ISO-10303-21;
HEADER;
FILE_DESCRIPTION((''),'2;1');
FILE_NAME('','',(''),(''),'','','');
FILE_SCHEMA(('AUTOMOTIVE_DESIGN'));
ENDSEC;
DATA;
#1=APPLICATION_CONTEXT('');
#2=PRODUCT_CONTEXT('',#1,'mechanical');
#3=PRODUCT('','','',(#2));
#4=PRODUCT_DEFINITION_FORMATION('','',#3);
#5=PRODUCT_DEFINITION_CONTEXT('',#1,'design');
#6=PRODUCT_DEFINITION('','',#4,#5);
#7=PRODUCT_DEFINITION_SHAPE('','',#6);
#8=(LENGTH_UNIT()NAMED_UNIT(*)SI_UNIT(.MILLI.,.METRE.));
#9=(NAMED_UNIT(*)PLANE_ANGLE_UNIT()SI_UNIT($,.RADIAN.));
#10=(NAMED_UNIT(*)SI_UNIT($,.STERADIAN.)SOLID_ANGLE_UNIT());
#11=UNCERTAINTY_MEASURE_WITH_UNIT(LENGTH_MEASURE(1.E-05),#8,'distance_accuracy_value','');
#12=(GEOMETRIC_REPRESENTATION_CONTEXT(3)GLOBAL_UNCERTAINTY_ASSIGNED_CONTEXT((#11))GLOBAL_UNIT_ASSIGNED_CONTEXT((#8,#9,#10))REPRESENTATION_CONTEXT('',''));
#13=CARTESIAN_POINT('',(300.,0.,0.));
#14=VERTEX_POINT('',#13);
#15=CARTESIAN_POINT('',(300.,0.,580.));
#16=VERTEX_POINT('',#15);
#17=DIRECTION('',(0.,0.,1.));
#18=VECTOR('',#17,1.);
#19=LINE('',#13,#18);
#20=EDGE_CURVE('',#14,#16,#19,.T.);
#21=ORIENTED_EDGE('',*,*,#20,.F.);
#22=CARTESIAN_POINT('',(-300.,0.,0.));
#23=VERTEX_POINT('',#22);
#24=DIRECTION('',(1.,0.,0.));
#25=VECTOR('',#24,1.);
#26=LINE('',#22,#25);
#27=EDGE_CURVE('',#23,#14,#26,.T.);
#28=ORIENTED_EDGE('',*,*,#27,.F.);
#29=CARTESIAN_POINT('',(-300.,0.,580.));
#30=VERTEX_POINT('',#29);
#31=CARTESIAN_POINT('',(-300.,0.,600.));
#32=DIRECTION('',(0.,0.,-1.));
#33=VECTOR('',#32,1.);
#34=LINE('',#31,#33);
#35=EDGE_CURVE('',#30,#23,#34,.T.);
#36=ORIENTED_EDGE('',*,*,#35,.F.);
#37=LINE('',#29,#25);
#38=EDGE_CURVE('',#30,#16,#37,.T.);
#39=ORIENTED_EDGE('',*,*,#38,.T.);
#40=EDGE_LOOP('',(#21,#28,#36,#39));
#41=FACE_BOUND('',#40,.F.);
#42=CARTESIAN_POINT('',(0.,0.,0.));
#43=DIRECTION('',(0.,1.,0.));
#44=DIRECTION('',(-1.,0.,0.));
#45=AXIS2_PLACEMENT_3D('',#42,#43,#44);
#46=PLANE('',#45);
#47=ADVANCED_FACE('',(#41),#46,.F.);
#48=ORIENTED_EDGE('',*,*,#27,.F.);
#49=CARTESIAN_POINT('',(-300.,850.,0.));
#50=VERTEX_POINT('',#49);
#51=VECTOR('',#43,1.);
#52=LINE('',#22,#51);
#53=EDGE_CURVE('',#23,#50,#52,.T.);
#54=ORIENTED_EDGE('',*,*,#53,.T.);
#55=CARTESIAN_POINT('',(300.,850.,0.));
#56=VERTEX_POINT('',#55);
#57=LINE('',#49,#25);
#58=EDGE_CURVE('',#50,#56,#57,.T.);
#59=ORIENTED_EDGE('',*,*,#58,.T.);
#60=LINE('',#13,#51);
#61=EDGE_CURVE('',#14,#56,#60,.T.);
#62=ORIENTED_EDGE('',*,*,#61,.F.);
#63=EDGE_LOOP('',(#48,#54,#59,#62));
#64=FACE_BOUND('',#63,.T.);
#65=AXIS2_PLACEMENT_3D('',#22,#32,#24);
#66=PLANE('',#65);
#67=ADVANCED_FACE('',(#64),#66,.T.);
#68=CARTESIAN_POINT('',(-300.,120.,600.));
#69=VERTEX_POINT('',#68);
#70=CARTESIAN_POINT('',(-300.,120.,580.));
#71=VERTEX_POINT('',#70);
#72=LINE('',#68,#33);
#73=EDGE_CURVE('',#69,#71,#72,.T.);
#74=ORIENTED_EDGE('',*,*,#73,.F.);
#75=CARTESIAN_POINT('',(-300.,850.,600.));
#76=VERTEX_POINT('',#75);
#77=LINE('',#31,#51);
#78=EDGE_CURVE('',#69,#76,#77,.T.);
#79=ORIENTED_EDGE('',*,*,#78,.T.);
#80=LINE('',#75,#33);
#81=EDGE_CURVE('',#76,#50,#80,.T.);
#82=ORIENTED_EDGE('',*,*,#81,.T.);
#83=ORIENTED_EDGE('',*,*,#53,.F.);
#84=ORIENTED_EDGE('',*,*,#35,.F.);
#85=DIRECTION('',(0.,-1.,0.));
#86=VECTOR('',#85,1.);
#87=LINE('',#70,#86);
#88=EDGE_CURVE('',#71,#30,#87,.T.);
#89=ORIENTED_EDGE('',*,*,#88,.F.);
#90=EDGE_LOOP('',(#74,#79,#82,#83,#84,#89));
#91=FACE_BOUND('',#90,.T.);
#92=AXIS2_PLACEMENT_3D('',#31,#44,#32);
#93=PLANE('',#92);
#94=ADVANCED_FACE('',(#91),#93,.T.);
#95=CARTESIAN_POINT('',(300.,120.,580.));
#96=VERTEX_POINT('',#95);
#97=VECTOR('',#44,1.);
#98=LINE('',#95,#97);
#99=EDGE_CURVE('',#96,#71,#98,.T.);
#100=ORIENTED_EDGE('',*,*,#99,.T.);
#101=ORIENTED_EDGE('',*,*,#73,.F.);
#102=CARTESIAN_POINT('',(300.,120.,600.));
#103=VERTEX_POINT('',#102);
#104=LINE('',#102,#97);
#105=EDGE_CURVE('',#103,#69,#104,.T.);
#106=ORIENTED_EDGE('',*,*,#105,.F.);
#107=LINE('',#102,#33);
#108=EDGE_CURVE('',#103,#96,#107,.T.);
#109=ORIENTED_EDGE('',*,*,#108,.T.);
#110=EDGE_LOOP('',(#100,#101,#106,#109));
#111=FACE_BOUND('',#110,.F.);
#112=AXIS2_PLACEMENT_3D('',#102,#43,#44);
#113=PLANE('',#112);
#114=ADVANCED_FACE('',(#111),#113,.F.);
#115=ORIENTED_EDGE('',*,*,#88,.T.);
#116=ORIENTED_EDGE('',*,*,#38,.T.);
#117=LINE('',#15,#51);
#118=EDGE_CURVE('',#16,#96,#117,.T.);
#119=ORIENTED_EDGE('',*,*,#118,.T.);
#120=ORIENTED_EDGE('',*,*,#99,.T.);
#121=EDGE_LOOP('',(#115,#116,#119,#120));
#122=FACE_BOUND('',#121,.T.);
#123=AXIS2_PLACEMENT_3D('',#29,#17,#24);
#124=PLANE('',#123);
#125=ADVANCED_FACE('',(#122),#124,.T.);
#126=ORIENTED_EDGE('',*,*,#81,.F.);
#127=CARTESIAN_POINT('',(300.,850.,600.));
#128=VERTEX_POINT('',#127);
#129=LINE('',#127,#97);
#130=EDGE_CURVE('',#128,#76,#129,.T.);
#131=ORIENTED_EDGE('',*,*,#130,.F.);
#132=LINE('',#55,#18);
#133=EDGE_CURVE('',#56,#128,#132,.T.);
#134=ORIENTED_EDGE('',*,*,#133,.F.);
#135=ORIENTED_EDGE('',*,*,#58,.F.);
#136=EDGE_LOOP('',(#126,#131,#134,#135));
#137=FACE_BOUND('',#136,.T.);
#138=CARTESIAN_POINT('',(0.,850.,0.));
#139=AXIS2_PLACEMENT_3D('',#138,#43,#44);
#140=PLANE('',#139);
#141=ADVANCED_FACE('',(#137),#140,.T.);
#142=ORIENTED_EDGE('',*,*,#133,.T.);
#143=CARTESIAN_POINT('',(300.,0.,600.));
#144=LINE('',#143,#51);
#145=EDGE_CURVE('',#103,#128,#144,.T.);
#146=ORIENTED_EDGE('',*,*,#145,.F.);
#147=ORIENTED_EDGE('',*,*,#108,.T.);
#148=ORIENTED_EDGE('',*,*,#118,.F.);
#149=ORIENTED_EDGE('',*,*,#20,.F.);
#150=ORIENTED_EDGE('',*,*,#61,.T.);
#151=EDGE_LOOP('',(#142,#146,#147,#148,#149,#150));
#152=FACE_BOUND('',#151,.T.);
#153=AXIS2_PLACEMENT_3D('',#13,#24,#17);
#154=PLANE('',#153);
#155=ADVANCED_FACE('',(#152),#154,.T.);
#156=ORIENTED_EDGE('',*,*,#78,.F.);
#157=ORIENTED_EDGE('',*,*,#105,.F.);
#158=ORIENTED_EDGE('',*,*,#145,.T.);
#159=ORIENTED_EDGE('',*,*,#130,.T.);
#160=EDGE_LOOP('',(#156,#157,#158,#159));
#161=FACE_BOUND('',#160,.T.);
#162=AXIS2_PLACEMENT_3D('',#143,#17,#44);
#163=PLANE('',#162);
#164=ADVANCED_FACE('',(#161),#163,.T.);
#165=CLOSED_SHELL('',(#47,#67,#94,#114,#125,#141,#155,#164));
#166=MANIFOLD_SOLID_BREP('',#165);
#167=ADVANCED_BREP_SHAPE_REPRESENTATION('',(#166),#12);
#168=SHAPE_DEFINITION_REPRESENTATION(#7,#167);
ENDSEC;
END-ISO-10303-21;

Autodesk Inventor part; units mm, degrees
ref_plane "YZ Plane" through (0, 0, 0) normal (1, 0, 0) x (0, 1, 0)
ref_plane "XZ Plane" through (0, 0, 0) normal (0, 1, 0) x (-1, 0, 0)
ref_plane "XY Plane" through (0, 0, 0) normal (0, 0, 1) x (1, 0, 0)
sketch "Sketch1" plane through (0, 0, 0) normal (0, 1, 0) x (-1, 0, 0)
  line L0 (300, 0) -> (-300, 0)
  line L1 (-300, 0) -> (-300, 600)
  line L2 (-300, 600) -> (300, 600)
  line L3 (300, 600) -> (300, 0)
  point P0 (0, 0)
  point P1 (0, 0)
  dimension "d0" = 600
  dimension "d1" = 600
extrude "Extrusion1" add sketch "Sketch1" along normal blind 850
sketch "Sketch3" plane through (-300, 0, 600) normal (0, 0, 1) x (1, 0, 0)
  line L0 (0, 0) -> (600, 0) projected
  line L1 (600, 0) -> (600, 850) projected
  line L2 (0, 0) -> (600, 0)
  line L3 (600, 0) -> (600, 120)
  line L4 (600, 120) -> (0, 120)
  line L5 (0, 120) -> (0, 0)
  point P0 (300, 0)
  dimension "d9" = 120
extrude "Extrusion3" cut sketch "Sketch3" against normal blind 20
properties part number "Mobile lavastoviglie"
